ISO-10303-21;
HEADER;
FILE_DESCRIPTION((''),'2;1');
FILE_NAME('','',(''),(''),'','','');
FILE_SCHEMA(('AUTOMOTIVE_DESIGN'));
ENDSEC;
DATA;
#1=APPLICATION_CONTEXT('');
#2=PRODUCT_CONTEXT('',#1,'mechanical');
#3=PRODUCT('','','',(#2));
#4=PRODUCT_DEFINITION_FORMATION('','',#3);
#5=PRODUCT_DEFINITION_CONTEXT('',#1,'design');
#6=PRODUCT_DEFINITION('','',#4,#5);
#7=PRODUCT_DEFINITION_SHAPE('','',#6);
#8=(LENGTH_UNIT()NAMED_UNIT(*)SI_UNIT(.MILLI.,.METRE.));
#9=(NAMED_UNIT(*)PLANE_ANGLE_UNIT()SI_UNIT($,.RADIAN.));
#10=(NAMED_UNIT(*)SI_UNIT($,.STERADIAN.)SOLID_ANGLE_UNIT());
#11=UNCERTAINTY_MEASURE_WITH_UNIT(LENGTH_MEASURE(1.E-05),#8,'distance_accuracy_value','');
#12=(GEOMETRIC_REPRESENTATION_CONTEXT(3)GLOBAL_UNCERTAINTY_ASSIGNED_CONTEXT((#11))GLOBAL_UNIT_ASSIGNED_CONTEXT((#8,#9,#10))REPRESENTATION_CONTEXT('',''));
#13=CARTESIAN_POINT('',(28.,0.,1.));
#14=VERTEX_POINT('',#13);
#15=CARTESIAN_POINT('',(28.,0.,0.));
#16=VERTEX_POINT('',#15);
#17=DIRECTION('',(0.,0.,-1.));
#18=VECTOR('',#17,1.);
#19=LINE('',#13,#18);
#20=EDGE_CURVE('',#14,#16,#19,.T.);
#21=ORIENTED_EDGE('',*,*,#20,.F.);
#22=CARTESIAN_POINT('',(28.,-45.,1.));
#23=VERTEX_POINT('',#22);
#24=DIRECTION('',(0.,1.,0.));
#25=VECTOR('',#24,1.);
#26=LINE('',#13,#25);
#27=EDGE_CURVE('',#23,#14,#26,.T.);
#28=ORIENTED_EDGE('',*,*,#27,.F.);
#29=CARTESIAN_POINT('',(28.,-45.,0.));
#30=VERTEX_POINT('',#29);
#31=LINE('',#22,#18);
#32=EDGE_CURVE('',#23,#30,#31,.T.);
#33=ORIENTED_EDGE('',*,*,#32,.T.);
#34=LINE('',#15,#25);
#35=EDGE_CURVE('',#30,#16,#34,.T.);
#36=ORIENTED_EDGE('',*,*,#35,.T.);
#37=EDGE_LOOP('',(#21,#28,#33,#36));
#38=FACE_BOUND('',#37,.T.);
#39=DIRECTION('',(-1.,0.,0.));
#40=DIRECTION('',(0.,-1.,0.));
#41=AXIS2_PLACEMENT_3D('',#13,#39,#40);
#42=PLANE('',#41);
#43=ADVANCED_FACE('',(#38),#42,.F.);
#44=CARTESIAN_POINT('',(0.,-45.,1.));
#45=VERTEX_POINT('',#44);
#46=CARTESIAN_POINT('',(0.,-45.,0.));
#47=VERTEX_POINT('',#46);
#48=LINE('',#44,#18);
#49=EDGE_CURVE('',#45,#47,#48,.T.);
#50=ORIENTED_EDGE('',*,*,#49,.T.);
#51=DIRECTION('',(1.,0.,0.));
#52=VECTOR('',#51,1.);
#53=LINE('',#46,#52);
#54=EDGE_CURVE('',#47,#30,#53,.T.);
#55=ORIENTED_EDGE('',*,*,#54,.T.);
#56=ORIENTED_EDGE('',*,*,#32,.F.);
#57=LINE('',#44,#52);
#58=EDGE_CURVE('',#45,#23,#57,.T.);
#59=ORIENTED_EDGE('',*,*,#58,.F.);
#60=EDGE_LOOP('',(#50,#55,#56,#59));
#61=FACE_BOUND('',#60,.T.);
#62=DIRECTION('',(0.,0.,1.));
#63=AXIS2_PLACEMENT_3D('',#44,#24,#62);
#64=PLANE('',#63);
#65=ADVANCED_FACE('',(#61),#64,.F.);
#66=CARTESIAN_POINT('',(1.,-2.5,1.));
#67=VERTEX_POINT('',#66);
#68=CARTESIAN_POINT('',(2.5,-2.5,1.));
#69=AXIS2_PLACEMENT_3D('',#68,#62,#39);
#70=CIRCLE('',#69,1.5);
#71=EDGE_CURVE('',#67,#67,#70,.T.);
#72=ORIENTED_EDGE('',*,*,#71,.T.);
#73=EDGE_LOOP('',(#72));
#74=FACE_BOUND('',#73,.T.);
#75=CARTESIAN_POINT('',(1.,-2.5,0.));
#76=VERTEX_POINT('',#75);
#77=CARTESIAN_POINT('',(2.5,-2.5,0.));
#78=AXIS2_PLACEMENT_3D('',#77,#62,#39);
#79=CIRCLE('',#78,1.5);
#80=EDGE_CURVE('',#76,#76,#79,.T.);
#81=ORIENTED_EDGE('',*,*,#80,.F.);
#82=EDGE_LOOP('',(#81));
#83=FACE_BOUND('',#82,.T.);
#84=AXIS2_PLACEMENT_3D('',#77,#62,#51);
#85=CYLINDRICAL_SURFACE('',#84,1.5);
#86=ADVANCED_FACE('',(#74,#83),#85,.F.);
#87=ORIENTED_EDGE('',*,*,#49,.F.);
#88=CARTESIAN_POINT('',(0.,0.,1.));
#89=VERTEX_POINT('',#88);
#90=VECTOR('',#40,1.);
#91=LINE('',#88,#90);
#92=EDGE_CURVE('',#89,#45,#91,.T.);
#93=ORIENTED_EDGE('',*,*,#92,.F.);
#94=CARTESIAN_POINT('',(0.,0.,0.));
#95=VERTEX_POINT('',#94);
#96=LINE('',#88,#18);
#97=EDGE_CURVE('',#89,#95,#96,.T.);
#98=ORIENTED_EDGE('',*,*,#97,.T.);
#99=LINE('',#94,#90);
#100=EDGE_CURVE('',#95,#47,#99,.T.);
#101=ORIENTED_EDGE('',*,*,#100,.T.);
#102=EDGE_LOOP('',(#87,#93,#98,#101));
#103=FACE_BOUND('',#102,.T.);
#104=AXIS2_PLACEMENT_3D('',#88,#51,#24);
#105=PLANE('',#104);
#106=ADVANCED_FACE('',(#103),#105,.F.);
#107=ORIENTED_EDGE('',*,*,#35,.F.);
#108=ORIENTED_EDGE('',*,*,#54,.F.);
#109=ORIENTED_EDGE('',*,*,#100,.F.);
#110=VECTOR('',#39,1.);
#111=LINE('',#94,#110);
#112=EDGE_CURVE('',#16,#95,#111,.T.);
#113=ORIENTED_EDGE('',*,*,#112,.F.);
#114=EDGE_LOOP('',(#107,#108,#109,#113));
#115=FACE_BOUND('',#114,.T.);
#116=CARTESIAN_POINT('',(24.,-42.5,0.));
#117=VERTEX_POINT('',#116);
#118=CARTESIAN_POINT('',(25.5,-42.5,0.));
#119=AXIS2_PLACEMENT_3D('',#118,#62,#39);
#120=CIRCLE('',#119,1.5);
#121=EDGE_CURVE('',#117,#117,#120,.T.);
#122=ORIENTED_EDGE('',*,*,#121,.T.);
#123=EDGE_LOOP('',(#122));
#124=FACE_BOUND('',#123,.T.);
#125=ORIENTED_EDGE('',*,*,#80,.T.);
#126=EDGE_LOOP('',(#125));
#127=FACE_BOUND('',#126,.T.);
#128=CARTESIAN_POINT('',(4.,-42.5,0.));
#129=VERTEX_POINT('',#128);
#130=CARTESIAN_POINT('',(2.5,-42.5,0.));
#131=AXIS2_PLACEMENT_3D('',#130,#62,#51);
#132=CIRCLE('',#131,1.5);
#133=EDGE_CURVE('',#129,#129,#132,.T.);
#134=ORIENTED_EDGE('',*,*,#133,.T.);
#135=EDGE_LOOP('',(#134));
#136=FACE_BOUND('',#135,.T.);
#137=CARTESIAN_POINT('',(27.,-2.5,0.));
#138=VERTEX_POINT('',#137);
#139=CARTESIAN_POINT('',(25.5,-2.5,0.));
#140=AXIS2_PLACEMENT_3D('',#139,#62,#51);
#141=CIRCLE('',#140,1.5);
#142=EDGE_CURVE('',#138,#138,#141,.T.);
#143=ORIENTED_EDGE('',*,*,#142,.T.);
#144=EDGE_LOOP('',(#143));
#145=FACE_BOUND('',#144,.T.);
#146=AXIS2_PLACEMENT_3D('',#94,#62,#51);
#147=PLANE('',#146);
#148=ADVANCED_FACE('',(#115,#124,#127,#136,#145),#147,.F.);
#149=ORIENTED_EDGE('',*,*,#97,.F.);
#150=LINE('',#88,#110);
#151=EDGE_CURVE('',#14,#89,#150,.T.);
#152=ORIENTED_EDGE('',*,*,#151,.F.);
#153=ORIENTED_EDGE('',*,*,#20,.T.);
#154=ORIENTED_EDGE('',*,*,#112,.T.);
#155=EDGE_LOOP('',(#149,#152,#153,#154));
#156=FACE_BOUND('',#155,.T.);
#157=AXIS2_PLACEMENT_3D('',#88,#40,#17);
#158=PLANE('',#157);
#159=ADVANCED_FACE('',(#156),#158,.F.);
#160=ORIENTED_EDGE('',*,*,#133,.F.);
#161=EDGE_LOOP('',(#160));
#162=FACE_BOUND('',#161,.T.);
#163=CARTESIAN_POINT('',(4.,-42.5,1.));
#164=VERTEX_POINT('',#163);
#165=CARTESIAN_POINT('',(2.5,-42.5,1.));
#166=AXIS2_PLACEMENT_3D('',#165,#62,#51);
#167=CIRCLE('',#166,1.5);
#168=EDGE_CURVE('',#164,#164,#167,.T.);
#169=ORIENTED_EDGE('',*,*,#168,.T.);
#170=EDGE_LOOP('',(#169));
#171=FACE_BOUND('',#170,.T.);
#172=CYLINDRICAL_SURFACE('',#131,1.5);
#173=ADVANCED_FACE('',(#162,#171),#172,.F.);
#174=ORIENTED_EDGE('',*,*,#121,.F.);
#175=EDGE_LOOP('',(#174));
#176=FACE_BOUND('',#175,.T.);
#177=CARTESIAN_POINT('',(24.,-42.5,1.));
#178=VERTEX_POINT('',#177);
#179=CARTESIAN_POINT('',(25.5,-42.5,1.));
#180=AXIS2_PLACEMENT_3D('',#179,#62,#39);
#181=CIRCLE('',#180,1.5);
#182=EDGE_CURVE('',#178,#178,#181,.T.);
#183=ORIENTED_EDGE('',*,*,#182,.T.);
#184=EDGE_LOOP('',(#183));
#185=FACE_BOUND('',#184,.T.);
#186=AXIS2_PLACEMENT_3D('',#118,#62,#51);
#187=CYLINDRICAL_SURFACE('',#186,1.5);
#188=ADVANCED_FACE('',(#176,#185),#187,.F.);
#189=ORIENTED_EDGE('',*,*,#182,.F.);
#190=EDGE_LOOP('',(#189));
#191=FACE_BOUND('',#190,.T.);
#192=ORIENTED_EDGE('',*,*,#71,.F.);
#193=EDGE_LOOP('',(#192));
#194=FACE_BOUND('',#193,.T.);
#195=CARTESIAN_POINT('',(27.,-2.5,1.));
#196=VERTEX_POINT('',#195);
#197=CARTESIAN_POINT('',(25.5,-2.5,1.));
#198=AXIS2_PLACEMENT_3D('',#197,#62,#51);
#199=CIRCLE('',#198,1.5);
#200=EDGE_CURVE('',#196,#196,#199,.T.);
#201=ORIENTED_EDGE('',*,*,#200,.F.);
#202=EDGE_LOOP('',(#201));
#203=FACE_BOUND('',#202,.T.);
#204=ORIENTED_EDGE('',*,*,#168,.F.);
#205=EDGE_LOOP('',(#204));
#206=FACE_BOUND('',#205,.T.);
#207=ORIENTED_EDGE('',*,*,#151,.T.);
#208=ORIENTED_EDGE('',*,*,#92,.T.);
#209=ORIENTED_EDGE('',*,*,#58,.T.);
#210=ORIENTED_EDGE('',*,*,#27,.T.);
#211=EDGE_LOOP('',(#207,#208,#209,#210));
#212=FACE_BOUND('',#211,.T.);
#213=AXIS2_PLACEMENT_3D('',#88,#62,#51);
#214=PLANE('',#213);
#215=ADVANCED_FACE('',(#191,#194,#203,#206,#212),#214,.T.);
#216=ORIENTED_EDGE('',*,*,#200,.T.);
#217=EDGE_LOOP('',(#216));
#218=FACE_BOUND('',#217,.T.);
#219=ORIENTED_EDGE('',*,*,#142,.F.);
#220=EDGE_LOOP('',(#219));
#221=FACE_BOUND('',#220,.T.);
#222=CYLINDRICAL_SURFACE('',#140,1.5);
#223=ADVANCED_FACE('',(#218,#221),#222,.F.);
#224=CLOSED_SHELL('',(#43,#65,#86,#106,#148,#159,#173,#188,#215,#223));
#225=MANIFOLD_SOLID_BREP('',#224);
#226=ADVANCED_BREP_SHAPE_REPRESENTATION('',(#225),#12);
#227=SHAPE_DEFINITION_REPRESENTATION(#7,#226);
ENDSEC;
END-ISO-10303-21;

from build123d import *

# Parameters (mm, degrees)
CROQUIS1_W              = 28
CROQUIS1_H              = 45
SALIENTE_EXTRUIR1_DEPTH = 1
CROQUIS2_R              = 1.5
CORTAR_EXTRUIR1_DEPTH   = 54.009433123


with BuildPart() as part:
    # Croquis1 → Saliente-Extruir1 (new body)
    with BuildSketch(Plane.XY):
        with Locations((14, -22.5)):
            Rectangle(CROQUIS1_W, CROQUIS1_H)
    extrude(amount=SALIENTE_EXTRUIR1_DEPTH)

    # Croquis2 → Cortar-Extruir1 (cut, through all)
    with BuildSketch(Plane.XY.offset(1)):
        with Locations((2.5, -42.5)):
            Circle(CROQUIS2_R)
        with Locations(Location((2.5, -2.5, 0), (0, 0, 180))):
            Circle(CROQUIS2_R)
        with Locations(Location((25.5, -42.5, 0), (0, 0, 180))):
            Circle(CROQUIS2_R)
        with Locations((25.5, -2.5)):
            Circle(CROQUIS2_R)
    extrude(amount=-CORTAR_EXTRUIR1_DEPTH, mode=Mode.SUBTRACT)


solid = part.part
